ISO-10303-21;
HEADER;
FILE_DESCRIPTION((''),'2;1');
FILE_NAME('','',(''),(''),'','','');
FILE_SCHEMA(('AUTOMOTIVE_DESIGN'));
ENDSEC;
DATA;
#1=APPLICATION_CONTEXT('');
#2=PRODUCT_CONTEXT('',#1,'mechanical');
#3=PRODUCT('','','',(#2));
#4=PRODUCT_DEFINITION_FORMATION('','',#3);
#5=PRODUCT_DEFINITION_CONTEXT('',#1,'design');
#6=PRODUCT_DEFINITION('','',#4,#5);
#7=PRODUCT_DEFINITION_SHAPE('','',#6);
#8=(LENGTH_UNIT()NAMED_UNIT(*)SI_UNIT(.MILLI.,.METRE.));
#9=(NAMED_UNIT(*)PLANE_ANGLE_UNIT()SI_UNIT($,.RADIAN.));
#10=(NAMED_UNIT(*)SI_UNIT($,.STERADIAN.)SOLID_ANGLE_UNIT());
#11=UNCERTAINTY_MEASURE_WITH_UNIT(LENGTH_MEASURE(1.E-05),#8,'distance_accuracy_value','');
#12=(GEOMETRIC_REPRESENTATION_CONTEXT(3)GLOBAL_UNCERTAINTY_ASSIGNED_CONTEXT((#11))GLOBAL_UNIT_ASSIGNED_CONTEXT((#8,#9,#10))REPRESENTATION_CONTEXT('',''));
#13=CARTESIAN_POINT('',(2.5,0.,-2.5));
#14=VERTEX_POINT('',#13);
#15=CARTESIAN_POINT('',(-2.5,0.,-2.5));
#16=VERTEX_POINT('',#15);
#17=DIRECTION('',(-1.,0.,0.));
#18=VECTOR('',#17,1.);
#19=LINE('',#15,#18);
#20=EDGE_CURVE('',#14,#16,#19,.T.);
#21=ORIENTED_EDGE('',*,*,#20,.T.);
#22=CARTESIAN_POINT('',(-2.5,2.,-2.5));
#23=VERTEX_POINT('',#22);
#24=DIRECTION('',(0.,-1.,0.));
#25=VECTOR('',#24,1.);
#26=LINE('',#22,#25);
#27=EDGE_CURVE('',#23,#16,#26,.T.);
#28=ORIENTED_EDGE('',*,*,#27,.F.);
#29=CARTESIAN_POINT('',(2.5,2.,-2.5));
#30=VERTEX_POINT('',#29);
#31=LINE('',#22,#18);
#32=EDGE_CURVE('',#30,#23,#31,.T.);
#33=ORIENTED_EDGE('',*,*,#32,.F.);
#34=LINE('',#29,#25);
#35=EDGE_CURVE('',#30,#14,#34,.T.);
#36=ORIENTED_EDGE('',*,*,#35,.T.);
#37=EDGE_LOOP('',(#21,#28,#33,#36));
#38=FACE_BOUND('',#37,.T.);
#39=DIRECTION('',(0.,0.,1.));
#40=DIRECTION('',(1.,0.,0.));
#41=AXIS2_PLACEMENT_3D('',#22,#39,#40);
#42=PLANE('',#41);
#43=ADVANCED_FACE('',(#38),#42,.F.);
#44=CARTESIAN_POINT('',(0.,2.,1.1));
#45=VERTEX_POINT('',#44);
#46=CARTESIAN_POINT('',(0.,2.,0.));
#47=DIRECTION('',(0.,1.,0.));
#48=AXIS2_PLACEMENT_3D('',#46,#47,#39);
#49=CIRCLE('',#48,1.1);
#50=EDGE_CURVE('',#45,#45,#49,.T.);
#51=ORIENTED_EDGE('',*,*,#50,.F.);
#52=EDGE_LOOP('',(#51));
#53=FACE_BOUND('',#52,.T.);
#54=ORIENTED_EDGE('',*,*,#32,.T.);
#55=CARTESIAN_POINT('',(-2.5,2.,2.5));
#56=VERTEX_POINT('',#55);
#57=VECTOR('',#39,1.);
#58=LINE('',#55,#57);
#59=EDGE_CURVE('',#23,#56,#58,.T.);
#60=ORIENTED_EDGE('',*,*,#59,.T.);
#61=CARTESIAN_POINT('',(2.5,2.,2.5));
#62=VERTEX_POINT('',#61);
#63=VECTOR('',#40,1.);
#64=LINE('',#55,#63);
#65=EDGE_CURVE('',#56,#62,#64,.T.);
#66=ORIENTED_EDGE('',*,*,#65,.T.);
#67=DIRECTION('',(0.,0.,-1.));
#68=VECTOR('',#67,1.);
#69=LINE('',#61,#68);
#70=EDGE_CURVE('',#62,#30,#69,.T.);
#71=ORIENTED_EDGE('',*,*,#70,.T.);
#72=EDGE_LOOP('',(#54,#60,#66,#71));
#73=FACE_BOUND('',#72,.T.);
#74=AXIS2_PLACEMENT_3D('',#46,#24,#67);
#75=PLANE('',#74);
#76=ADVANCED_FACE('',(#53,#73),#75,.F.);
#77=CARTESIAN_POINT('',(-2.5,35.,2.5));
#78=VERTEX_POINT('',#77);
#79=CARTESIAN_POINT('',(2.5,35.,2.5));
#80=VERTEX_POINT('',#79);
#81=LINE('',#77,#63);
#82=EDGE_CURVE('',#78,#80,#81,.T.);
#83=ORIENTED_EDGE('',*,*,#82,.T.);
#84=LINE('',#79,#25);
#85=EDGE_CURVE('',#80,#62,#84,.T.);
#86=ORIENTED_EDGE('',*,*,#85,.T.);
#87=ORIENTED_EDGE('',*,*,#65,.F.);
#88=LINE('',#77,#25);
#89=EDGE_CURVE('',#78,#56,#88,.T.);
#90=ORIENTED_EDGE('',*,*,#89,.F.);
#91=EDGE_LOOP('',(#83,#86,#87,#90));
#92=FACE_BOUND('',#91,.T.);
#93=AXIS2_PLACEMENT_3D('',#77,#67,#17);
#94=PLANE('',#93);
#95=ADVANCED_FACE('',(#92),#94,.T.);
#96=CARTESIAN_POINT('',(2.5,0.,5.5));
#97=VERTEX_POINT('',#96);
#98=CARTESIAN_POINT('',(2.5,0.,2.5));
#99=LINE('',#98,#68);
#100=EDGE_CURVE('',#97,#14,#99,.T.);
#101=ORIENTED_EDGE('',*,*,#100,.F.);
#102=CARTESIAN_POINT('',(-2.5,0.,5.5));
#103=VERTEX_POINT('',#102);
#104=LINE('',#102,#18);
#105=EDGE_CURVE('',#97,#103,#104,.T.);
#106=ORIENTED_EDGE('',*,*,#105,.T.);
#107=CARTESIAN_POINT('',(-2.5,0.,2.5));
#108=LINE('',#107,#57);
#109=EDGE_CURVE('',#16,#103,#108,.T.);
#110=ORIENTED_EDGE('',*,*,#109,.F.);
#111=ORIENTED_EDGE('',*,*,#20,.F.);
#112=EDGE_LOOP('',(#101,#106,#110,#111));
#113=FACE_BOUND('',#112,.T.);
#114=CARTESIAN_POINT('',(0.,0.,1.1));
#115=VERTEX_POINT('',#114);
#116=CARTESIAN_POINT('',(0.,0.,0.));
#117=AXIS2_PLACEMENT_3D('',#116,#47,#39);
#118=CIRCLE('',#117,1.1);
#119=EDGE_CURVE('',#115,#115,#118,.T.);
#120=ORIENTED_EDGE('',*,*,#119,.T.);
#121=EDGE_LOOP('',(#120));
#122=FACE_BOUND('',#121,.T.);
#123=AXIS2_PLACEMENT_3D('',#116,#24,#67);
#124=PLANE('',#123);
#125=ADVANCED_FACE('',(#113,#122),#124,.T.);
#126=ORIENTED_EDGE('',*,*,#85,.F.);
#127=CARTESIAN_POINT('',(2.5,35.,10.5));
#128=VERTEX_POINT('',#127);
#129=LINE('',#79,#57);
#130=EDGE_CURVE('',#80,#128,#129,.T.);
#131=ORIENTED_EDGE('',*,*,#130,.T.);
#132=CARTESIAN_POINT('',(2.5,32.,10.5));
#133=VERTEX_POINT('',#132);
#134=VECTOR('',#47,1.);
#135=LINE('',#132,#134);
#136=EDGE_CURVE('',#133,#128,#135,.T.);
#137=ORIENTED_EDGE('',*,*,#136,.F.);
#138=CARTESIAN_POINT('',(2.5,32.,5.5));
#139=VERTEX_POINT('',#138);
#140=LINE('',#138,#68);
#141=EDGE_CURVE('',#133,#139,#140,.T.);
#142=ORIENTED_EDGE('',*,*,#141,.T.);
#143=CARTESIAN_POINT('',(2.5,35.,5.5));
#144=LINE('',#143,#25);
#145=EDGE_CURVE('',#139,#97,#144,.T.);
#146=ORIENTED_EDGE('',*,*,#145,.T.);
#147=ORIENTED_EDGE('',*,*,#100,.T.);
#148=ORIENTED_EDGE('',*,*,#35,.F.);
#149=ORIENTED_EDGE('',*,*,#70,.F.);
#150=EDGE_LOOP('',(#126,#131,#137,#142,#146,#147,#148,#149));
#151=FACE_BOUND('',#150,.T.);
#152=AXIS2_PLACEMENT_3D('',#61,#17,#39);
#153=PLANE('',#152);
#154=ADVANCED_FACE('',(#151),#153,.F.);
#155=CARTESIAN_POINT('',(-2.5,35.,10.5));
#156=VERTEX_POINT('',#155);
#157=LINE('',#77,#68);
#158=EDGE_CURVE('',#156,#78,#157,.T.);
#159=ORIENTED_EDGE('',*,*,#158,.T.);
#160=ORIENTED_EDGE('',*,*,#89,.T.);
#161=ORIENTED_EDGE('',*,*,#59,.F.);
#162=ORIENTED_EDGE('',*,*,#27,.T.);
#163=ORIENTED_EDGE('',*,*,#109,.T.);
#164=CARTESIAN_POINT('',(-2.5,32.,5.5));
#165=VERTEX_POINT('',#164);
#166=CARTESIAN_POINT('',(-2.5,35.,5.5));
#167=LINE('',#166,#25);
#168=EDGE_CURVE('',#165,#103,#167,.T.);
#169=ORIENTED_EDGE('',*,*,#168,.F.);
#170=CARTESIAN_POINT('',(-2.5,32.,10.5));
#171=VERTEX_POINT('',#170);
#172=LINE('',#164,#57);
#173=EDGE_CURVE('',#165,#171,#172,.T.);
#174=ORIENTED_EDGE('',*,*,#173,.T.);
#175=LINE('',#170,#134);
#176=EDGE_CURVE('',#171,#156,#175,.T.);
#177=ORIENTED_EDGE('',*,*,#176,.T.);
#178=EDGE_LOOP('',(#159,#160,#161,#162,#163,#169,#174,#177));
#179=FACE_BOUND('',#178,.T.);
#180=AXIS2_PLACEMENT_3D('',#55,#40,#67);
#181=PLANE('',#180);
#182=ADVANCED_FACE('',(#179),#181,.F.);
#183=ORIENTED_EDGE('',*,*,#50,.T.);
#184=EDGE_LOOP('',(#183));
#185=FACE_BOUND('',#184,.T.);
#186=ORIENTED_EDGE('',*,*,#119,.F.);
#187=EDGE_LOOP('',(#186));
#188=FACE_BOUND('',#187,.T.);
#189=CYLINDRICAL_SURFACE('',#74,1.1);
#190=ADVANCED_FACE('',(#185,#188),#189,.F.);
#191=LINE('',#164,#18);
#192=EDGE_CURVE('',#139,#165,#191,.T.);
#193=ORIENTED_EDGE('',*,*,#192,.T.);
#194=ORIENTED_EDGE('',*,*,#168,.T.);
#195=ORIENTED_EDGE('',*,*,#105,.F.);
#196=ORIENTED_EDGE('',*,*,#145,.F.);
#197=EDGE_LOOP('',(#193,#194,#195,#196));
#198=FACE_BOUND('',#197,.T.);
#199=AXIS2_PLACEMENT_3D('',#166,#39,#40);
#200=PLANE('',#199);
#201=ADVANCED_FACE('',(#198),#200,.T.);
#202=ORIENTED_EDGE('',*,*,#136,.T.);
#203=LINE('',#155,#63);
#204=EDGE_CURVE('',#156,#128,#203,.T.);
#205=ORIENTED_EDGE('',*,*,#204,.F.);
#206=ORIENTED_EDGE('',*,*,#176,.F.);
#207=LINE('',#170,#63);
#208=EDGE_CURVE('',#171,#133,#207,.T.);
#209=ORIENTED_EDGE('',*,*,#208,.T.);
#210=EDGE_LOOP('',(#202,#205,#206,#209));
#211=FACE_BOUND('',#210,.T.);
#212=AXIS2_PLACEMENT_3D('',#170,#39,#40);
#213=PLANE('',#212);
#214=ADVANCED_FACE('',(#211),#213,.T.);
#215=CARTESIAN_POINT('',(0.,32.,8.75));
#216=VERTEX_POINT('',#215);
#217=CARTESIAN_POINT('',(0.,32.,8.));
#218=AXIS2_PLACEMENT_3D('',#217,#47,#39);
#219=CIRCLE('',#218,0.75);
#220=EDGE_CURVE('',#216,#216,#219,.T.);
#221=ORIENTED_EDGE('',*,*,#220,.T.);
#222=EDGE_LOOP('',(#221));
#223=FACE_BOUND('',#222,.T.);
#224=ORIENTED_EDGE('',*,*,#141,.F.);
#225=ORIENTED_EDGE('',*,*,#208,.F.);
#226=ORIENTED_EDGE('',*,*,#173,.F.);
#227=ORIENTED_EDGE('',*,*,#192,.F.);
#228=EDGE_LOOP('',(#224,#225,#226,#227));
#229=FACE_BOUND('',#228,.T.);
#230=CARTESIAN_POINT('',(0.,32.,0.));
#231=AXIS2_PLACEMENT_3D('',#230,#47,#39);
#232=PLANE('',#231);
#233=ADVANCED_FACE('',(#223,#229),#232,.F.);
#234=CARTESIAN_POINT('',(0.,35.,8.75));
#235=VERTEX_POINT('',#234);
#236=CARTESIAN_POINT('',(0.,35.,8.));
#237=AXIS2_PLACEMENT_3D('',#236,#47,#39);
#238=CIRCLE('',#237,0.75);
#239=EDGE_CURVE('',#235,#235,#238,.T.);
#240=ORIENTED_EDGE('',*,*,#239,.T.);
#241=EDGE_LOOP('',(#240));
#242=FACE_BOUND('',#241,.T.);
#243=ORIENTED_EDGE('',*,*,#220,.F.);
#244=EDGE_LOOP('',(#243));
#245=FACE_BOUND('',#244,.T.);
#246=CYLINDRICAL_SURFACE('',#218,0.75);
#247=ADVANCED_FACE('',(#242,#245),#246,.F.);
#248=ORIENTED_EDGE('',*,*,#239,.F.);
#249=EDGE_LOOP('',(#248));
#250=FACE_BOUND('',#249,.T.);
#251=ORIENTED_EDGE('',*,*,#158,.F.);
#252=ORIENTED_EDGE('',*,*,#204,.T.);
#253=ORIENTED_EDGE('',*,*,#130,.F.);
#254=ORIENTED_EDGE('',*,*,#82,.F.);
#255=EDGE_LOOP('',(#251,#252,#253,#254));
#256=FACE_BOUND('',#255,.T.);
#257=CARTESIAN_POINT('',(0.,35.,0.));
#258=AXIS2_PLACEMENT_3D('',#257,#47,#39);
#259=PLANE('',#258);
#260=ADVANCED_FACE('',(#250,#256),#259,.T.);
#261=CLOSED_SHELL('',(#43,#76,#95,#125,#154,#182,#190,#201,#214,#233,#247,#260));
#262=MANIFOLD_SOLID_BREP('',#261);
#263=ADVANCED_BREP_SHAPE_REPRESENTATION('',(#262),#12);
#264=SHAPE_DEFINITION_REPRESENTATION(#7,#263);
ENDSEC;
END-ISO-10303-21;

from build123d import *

# Parameters (mm, degrees)
SKETCH_1_W      = 5
SKETCH_1_H      = 5
SKETCH_1_R      = 1.1
EXTRUDE_1_DEPTH = 2
SKETCH_2_W      = 5
SKETCH_2_H      = 3
EXTRUDE_2_DEPTH = 35
SKETCH_3_W      = 5
SKETCH_3_H      = 5
SKETCH_3_R      = 0.75
EXTRUDE_3_DEPTH = 3


with BuildPart() as part:
    # 草图1 → 凸台-拉伸1 (new body)
    with BuildSketch(Plane(origin=(0, 0, 0), x_dir=(1, 0, 0), z_dir=(0, 1, 0))):
        Rectangle(SKETCH_1_W, SKETCH_1_H)
        with Locations(Location((0, 0, 0), (0, 0, 270))):
            Circle(SKETCH_1_R, mode=Mode.SUBTRACT)
    extrude(amount=EXTRUDE_1_DEPTH)

    # 草图2 → 凸台-拉伸2 (add)
    with BuildSketch(Plane.XZ):
        with Locations((0, 4)):
            Rectangle(SKETCH_2_W, SKETCH_2_H)
    extrude(amount=-EXTRUDE_2_DEPTH)

    # 草图3 → 凸台-拉伸3 (add)
    with BuildSketch(Plane(origin=(0, 35, 0), x_dir=(1, 0, 0), z_dir=(0, 1, 0))):
        with Locations((0, -8)):
            Rectangle(SKETCH_3_W, SKETCH_3_H)
        with Locations(Location((0, -8, 0), (0, 0, 270))):
            Circle(SKETCH_3_R, mode=Mode.SUBTRACT)
    extrude(amount=-EXTRUDE_3_DEPTH)


solid = part.part
